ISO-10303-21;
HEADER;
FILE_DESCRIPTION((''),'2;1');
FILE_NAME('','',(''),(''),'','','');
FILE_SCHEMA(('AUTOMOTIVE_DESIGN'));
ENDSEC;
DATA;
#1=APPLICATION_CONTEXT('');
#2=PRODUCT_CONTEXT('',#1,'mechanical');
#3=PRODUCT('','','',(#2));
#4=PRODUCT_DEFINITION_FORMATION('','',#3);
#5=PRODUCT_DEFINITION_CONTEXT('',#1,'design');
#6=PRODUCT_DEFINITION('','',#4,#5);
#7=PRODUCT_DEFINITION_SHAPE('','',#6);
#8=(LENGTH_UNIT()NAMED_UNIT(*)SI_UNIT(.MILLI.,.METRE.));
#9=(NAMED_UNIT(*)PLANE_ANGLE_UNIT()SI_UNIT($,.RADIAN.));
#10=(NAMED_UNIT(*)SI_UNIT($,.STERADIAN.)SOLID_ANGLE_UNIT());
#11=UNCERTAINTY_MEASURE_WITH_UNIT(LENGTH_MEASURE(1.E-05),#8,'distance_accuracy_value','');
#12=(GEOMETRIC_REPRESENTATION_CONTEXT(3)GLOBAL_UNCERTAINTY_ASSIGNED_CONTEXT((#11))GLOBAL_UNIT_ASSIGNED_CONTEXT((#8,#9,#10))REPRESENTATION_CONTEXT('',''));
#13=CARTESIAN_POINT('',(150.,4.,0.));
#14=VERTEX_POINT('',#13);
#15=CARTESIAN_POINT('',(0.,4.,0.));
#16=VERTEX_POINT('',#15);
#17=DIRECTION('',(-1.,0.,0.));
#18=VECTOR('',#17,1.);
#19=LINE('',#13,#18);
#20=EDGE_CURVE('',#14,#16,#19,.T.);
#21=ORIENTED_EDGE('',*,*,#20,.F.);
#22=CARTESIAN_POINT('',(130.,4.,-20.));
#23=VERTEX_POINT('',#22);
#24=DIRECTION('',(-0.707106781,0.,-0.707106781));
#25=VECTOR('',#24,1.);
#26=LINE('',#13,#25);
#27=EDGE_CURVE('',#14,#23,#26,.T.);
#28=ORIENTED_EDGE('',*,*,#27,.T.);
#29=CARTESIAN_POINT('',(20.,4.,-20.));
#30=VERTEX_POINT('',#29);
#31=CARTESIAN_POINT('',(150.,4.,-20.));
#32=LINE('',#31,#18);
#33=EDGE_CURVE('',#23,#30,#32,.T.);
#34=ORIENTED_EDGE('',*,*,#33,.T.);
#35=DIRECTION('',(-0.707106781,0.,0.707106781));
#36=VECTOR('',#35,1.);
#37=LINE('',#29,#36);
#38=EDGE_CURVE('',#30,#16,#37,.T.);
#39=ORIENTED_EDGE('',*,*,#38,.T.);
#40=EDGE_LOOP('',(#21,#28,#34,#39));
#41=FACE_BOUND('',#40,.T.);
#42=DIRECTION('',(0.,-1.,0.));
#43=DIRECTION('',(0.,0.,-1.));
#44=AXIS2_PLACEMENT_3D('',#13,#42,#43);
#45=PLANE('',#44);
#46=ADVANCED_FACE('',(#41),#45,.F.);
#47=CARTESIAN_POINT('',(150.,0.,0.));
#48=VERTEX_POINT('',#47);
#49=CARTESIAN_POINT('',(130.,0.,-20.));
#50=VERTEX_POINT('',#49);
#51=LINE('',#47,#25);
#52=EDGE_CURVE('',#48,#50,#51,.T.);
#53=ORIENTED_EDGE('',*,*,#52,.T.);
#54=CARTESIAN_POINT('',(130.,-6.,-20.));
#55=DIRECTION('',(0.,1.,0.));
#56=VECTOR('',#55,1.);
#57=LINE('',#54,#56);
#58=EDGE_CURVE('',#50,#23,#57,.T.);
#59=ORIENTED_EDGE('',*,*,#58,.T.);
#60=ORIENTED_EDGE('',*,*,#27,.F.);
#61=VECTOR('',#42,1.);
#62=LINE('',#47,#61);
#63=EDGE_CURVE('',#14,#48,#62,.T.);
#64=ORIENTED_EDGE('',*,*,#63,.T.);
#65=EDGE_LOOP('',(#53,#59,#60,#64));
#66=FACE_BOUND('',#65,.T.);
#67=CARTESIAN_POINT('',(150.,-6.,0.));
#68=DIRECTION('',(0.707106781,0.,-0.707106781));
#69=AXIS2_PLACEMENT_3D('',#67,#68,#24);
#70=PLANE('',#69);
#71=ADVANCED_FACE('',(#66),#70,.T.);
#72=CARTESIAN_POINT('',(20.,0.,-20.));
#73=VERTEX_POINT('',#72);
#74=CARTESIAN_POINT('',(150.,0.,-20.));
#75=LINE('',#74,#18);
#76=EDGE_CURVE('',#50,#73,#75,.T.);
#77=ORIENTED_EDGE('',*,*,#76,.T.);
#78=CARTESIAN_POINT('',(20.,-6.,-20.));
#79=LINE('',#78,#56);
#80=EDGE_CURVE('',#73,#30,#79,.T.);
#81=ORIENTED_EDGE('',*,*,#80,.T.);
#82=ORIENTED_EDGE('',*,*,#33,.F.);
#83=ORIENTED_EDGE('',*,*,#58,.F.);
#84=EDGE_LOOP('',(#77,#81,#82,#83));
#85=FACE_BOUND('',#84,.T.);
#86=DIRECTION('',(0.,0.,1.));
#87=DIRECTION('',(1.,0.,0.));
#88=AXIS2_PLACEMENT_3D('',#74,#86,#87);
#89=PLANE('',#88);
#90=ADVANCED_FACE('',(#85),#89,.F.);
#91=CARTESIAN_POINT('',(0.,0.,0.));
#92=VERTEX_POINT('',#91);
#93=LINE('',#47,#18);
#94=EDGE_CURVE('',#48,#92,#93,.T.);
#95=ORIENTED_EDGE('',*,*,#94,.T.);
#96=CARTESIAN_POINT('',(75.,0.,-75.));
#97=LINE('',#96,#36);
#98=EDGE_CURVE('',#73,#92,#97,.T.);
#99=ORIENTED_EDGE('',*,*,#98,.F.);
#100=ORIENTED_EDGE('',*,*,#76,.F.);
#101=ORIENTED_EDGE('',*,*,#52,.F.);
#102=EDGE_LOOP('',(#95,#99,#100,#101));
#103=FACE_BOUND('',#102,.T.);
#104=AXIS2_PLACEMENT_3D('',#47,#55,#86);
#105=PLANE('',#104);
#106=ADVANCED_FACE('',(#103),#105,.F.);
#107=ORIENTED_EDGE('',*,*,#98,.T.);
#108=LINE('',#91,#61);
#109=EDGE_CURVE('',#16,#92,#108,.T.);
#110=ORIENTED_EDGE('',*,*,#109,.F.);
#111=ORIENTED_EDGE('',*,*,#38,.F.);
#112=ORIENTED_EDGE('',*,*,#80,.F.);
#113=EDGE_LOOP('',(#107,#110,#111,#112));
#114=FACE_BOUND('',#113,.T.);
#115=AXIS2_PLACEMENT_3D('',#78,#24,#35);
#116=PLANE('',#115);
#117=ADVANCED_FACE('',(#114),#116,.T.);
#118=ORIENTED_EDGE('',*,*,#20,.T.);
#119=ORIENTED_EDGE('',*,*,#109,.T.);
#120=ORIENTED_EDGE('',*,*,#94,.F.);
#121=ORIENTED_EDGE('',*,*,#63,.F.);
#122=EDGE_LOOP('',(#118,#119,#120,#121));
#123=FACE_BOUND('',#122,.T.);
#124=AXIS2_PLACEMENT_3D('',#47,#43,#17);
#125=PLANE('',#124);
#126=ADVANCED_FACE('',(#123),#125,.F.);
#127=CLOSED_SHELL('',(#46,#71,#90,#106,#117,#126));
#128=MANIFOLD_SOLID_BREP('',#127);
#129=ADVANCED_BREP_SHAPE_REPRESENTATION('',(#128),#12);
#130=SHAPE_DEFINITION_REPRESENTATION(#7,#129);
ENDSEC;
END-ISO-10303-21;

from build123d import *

# Parameters (mm, degrees)
SKETCH_1_W          = 20
SKETCH_1_H          = 4
EXTRUDE_1_DEPTH     = 150
SKETCH_2_OUTSIDE_W  = 182.276
SKETCH_2_OUTSIDE_H  = 52.276
CUT_EXTRUDE_1_DEPTH = 10


with BuildPart() as part:
    # Эскиз1 → Бобышка-Вытянуть1 (new body)
    with BuildSketch(Plane(origin=(0, 0, 0), x_dir=(0, 0, -1), z_dir=(1, 0, 0))):
        with Locations((10, 2)):
            Rectangle(SKETCH_1_W, SKETCH_1_H)
    extrude(amount=EXTRUDE_1_DEPTH)

    # Эскиз2 outside → Вырез-Вытянуть1 (cut)
    with BuildSketch(Plane(origin=(0, 4, 0), x_dir=(1, 0, 0), z_dir=(0, 1, 0))):
        with Locations((75, 10)):
            Rectangle(SKETCH_2_OUTSIDE_W, SKETCH_2_OUTSIDE_H)
        Polygon((150, 0), (130, 20), (20, 20), (0, 0), align=None, mode=Mode.SUBTRACT)
    extrude(amount=-CUT_EXTRUDE_1_DEPTH, mode=Mode.SUBTRACT)


solid = part.part
